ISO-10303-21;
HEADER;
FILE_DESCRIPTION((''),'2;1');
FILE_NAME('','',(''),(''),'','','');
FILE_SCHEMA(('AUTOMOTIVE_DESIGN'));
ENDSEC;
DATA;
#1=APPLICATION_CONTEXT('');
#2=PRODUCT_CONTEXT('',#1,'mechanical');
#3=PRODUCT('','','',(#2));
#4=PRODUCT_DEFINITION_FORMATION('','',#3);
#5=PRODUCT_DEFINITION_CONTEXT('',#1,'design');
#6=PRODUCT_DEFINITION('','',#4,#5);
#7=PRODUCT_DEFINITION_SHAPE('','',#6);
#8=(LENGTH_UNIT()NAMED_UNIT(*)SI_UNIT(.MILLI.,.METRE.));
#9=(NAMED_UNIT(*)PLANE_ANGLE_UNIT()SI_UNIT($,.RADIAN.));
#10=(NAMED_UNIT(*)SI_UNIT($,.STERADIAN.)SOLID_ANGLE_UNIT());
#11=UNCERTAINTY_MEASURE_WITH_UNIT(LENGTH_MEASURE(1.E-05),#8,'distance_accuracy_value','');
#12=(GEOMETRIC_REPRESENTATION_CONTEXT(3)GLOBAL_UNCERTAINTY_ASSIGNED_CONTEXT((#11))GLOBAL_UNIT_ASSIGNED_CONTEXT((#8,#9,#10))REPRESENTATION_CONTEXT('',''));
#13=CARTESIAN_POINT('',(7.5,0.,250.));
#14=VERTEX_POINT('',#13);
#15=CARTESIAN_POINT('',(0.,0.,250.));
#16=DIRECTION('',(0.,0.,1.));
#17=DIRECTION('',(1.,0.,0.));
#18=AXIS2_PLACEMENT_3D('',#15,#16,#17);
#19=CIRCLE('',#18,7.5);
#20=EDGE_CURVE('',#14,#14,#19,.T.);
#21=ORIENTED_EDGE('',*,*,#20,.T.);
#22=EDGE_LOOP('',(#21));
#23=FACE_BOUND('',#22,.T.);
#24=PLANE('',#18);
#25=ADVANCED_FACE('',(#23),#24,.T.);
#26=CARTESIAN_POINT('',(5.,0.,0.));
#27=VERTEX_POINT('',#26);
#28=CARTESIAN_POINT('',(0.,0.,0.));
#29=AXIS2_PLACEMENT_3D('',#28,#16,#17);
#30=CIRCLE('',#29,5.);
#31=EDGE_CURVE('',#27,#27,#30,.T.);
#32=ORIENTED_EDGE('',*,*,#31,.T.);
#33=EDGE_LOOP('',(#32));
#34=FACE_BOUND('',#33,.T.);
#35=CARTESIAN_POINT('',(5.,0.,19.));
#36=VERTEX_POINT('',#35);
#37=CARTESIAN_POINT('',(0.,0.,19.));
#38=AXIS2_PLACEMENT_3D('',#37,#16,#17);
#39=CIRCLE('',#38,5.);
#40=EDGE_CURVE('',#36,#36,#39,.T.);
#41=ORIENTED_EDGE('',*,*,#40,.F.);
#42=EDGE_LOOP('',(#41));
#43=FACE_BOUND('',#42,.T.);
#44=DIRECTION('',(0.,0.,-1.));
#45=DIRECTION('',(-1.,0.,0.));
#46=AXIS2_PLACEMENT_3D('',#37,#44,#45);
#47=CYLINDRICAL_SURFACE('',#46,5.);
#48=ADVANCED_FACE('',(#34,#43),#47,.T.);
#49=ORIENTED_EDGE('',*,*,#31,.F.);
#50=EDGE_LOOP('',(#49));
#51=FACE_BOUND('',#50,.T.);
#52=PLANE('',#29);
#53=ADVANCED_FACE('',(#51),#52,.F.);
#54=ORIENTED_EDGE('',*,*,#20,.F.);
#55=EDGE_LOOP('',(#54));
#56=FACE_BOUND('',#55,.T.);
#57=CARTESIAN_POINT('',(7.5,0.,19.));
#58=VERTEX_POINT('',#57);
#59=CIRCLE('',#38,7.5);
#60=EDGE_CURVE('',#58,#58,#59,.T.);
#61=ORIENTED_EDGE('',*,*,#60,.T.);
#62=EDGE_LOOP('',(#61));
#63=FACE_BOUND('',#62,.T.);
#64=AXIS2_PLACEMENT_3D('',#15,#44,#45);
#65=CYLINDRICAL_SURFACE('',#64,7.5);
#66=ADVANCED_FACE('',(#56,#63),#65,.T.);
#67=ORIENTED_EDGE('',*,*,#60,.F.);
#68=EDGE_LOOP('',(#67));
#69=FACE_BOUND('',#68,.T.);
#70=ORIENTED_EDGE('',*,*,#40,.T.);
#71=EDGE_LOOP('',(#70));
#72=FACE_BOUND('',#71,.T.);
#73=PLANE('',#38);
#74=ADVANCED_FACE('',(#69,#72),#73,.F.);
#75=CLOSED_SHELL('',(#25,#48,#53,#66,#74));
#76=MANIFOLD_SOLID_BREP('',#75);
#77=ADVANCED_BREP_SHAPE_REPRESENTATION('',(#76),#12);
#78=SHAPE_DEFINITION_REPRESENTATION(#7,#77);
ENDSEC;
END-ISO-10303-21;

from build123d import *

# Parameters (mm, degrees)
SKETCH1_R           = 7.5
BOSS_EXTRUDE1_DEPTH = 250
SKETCH2_R           = 8.322710713
SKETCH2_R_2         = 5
CUT_EXTRUDE1_DEPTH  = 19


with BuildPart() as part:
    # Sketch1 → Boss-Extrude1 (new body)
    with BuildSketch(Plane.XY):
        Circle(SKETCH1_R)
    extrude(amount=BOSS_EXTRUDE1_DEPTH)

    # Sketch2 → Cut-Extrude1 (cut)
    with BuildSketch(Plane.XY):
        Circle(SKETCH2_R)
        Circle(SKETCH2_R_2, mode=Mode.SUBTRACT)
    extrude(amount=CUT_EXTRUDE1_DEPTH, mode=Mode.SUBTRACT)


solid = part.part
